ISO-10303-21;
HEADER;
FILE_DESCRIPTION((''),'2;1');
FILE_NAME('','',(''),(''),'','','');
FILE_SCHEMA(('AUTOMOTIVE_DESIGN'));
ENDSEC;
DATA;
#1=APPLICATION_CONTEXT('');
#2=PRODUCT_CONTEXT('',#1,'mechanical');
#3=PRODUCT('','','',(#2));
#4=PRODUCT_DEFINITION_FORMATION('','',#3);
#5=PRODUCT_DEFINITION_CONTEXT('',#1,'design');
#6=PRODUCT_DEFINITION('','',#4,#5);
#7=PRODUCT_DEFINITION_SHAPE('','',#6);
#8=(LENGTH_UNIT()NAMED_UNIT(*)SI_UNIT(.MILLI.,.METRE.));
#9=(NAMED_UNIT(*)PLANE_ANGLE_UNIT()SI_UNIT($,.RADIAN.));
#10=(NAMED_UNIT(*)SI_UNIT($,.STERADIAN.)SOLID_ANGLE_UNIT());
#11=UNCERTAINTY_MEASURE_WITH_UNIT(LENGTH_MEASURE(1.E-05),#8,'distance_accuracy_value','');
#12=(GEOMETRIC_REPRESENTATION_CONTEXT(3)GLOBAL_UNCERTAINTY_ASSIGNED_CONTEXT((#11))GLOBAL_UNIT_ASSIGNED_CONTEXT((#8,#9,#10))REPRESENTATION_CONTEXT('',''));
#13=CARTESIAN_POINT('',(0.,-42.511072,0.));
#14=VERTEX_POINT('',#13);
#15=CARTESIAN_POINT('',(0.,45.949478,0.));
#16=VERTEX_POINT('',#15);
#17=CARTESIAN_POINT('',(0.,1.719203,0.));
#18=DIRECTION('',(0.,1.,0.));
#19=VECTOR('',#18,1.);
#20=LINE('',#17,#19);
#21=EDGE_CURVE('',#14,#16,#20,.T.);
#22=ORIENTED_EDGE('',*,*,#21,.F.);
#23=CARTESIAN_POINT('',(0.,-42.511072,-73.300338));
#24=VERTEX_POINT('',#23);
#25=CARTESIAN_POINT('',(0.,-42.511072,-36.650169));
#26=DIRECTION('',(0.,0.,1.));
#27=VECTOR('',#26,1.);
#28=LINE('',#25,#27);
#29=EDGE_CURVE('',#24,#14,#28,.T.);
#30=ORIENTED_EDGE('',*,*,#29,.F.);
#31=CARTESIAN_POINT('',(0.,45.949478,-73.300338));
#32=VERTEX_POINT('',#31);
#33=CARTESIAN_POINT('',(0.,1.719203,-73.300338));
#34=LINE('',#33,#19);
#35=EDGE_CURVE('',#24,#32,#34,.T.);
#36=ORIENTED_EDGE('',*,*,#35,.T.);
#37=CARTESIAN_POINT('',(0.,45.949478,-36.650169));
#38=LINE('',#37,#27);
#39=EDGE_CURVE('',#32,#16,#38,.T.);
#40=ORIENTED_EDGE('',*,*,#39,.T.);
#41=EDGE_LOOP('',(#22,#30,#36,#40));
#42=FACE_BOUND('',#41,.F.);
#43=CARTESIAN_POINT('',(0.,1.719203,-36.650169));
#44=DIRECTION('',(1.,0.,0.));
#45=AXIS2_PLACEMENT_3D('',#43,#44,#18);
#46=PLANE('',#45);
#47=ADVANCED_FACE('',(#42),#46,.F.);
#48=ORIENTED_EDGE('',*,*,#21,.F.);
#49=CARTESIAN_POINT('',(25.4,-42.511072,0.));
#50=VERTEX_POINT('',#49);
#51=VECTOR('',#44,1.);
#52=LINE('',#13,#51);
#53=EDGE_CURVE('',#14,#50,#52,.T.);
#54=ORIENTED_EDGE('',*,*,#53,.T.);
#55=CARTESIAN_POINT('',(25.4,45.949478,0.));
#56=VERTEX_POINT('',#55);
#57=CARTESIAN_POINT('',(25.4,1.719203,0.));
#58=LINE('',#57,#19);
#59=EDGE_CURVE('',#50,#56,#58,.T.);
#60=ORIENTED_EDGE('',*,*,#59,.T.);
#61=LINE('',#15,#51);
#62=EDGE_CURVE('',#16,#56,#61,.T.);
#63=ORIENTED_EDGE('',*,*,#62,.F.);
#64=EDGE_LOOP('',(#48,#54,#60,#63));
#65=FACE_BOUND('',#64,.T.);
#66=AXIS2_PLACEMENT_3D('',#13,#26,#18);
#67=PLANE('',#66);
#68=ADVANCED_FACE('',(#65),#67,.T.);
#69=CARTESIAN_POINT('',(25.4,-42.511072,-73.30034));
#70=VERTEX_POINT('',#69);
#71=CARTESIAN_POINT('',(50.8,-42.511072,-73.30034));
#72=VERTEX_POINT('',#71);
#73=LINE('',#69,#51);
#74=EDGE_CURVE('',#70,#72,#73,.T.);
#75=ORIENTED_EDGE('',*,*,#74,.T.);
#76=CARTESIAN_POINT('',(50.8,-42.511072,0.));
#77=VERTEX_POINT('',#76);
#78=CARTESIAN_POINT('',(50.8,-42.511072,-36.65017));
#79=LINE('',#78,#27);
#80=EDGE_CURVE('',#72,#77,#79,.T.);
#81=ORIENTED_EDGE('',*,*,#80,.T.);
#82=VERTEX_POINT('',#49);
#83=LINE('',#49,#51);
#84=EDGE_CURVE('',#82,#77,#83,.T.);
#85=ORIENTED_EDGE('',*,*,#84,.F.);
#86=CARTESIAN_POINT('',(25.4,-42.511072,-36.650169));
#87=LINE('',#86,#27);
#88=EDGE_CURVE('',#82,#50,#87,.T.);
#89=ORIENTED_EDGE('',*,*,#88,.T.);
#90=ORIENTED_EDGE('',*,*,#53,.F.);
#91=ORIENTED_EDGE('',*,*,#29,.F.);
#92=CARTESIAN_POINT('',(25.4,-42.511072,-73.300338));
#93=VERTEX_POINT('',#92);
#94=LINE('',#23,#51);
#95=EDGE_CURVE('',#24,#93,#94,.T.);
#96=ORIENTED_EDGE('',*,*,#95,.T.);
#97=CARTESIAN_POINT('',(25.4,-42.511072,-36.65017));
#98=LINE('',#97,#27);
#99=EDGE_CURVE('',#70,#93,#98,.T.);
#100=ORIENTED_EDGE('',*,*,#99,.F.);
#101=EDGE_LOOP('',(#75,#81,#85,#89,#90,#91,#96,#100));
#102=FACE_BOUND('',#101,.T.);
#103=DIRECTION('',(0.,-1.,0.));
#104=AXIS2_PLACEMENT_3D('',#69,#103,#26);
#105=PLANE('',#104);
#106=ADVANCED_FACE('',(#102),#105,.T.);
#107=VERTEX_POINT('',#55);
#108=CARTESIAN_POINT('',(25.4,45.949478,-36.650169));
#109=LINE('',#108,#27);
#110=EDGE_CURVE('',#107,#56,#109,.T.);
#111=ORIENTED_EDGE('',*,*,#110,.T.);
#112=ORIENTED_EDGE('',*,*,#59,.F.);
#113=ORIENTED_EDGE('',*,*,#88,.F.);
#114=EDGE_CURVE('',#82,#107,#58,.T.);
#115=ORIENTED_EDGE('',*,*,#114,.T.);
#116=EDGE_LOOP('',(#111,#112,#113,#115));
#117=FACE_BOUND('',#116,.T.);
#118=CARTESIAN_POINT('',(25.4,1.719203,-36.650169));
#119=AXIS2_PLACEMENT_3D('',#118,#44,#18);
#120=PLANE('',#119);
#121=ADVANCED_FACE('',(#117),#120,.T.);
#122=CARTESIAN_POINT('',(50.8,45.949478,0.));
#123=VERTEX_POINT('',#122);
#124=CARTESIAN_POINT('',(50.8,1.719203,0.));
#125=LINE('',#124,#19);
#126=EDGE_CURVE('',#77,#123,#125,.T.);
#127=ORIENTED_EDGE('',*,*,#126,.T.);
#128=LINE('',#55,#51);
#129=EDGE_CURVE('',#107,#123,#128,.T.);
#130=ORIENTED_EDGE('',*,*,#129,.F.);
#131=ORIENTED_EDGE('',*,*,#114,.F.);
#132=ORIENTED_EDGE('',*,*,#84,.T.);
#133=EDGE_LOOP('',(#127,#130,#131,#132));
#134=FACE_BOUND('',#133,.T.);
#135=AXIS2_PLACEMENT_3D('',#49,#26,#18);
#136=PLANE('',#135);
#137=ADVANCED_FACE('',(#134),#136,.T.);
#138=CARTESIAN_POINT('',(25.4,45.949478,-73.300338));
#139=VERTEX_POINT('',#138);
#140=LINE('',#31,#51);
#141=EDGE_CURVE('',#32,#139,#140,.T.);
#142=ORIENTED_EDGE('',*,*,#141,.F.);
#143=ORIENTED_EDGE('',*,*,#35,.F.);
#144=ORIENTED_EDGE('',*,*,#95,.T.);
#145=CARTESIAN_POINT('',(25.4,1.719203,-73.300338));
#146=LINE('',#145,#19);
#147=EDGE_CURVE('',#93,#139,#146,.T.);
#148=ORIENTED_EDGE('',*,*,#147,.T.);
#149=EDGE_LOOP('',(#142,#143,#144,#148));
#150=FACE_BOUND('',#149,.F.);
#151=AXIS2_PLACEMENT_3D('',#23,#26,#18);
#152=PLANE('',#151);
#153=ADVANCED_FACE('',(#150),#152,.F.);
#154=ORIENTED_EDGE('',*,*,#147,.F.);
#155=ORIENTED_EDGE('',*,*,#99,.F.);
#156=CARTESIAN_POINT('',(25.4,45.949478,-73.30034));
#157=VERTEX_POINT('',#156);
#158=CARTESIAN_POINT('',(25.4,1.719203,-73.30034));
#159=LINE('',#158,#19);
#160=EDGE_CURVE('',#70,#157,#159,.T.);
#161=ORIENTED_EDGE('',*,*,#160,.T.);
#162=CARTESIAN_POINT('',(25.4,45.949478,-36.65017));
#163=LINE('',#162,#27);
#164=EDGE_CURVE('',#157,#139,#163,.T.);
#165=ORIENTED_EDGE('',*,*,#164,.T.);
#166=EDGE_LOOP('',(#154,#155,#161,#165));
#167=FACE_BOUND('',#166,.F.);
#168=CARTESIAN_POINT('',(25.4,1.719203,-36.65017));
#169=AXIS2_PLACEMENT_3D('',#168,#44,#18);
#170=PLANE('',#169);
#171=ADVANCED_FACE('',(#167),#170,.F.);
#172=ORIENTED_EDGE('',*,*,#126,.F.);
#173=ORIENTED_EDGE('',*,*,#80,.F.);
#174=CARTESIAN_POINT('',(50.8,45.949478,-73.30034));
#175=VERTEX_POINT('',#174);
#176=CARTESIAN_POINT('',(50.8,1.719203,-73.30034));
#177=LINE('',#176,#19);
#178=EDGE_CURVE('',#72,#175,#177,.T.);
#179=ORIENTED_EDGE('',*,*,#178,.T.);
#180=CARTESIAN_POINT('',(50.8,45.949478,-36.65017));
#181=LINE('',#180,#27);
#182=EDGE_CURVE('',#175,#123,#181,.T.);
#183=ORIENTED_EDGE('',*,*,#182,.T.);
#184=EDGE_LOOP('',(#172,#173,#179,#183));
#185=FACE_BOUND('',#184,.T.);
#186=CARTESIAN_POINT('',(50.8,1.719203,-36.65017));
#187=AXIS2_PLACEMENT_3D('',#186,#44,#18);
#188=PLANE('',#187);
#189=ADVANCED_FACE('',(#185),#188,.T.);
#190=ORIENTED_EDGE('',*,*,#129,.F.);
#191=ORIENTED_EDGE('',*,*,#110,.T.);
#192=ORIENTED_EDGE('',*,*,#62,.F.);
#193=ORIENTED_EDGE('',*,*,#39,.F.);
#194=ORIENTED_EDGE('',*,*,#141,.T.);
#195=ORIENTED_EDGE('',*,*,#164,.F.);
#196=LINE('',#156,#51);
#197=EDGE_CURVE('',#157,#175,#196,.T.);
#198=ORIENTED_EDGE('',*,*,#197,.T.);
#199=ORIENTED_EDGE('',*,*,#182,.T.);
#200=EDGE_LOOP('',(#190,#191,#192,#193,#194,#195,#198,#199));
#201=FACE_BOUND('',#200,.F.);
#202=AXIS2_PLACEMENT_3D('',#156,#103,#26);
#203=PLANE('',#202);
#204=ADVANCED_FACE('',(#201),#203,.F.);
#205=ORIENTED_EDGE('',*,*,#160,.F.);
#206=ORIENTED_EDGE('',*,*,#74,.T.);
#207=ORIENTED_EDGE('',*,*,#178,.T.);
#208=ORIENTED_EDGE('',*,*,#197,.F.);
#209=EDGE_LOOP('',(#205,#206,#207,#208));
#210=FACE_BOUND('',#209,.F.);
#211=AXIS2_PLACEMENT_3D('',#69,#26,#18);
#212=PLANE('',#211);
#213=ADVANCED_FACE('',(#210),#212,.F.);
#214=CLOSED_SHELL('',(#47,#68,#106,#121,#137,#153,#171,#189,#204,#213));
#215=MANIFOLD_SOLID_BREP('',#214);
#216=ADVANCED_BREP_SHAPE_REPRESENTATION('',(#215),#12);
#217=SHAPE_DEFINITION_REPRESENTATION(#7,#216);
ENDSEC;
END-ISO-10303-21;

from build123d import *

# Parameters (mm, degrees)
F0_W      = 88.46055
F0_H      = 73.300339
F1_DEPTH  = 25.4
F1_FACE_W = 88.46055
F1_FACE_H = 73.30034
F2_DEPTH  = 25.4
F3_DEPTH  = 25.4


with BuildPart() as f1:
    # F0 (on Right) → F1 (new body)
    with BuildSketch(Plane.YZ):
        with Locations((1.719203, -36.650169)):
            Rectangle(F0_W, F0_H)
    extrude(amount=F1_DEPTH)

    # F1_face (on face) → F2 (join)
    with BuildSketch(Plane(origin=(25.4, 1.719203, -36.65017), x_dir=(0, 1, 0), z_dir=(1, 0, 0))):
        Rectangle(F1_FACE_W, F1_FACE_H)
    extrude(amount=F2_DEPTH)

    # F0 (on Right) → F3 (join)
    with BuildSketch(Plane.YZ):
        with Locations((1.719203, -36.650169)):
            Rectangle(F0_W, F0_H)
    extrude(amount=F3_DEPTH)


solid = f1.part
